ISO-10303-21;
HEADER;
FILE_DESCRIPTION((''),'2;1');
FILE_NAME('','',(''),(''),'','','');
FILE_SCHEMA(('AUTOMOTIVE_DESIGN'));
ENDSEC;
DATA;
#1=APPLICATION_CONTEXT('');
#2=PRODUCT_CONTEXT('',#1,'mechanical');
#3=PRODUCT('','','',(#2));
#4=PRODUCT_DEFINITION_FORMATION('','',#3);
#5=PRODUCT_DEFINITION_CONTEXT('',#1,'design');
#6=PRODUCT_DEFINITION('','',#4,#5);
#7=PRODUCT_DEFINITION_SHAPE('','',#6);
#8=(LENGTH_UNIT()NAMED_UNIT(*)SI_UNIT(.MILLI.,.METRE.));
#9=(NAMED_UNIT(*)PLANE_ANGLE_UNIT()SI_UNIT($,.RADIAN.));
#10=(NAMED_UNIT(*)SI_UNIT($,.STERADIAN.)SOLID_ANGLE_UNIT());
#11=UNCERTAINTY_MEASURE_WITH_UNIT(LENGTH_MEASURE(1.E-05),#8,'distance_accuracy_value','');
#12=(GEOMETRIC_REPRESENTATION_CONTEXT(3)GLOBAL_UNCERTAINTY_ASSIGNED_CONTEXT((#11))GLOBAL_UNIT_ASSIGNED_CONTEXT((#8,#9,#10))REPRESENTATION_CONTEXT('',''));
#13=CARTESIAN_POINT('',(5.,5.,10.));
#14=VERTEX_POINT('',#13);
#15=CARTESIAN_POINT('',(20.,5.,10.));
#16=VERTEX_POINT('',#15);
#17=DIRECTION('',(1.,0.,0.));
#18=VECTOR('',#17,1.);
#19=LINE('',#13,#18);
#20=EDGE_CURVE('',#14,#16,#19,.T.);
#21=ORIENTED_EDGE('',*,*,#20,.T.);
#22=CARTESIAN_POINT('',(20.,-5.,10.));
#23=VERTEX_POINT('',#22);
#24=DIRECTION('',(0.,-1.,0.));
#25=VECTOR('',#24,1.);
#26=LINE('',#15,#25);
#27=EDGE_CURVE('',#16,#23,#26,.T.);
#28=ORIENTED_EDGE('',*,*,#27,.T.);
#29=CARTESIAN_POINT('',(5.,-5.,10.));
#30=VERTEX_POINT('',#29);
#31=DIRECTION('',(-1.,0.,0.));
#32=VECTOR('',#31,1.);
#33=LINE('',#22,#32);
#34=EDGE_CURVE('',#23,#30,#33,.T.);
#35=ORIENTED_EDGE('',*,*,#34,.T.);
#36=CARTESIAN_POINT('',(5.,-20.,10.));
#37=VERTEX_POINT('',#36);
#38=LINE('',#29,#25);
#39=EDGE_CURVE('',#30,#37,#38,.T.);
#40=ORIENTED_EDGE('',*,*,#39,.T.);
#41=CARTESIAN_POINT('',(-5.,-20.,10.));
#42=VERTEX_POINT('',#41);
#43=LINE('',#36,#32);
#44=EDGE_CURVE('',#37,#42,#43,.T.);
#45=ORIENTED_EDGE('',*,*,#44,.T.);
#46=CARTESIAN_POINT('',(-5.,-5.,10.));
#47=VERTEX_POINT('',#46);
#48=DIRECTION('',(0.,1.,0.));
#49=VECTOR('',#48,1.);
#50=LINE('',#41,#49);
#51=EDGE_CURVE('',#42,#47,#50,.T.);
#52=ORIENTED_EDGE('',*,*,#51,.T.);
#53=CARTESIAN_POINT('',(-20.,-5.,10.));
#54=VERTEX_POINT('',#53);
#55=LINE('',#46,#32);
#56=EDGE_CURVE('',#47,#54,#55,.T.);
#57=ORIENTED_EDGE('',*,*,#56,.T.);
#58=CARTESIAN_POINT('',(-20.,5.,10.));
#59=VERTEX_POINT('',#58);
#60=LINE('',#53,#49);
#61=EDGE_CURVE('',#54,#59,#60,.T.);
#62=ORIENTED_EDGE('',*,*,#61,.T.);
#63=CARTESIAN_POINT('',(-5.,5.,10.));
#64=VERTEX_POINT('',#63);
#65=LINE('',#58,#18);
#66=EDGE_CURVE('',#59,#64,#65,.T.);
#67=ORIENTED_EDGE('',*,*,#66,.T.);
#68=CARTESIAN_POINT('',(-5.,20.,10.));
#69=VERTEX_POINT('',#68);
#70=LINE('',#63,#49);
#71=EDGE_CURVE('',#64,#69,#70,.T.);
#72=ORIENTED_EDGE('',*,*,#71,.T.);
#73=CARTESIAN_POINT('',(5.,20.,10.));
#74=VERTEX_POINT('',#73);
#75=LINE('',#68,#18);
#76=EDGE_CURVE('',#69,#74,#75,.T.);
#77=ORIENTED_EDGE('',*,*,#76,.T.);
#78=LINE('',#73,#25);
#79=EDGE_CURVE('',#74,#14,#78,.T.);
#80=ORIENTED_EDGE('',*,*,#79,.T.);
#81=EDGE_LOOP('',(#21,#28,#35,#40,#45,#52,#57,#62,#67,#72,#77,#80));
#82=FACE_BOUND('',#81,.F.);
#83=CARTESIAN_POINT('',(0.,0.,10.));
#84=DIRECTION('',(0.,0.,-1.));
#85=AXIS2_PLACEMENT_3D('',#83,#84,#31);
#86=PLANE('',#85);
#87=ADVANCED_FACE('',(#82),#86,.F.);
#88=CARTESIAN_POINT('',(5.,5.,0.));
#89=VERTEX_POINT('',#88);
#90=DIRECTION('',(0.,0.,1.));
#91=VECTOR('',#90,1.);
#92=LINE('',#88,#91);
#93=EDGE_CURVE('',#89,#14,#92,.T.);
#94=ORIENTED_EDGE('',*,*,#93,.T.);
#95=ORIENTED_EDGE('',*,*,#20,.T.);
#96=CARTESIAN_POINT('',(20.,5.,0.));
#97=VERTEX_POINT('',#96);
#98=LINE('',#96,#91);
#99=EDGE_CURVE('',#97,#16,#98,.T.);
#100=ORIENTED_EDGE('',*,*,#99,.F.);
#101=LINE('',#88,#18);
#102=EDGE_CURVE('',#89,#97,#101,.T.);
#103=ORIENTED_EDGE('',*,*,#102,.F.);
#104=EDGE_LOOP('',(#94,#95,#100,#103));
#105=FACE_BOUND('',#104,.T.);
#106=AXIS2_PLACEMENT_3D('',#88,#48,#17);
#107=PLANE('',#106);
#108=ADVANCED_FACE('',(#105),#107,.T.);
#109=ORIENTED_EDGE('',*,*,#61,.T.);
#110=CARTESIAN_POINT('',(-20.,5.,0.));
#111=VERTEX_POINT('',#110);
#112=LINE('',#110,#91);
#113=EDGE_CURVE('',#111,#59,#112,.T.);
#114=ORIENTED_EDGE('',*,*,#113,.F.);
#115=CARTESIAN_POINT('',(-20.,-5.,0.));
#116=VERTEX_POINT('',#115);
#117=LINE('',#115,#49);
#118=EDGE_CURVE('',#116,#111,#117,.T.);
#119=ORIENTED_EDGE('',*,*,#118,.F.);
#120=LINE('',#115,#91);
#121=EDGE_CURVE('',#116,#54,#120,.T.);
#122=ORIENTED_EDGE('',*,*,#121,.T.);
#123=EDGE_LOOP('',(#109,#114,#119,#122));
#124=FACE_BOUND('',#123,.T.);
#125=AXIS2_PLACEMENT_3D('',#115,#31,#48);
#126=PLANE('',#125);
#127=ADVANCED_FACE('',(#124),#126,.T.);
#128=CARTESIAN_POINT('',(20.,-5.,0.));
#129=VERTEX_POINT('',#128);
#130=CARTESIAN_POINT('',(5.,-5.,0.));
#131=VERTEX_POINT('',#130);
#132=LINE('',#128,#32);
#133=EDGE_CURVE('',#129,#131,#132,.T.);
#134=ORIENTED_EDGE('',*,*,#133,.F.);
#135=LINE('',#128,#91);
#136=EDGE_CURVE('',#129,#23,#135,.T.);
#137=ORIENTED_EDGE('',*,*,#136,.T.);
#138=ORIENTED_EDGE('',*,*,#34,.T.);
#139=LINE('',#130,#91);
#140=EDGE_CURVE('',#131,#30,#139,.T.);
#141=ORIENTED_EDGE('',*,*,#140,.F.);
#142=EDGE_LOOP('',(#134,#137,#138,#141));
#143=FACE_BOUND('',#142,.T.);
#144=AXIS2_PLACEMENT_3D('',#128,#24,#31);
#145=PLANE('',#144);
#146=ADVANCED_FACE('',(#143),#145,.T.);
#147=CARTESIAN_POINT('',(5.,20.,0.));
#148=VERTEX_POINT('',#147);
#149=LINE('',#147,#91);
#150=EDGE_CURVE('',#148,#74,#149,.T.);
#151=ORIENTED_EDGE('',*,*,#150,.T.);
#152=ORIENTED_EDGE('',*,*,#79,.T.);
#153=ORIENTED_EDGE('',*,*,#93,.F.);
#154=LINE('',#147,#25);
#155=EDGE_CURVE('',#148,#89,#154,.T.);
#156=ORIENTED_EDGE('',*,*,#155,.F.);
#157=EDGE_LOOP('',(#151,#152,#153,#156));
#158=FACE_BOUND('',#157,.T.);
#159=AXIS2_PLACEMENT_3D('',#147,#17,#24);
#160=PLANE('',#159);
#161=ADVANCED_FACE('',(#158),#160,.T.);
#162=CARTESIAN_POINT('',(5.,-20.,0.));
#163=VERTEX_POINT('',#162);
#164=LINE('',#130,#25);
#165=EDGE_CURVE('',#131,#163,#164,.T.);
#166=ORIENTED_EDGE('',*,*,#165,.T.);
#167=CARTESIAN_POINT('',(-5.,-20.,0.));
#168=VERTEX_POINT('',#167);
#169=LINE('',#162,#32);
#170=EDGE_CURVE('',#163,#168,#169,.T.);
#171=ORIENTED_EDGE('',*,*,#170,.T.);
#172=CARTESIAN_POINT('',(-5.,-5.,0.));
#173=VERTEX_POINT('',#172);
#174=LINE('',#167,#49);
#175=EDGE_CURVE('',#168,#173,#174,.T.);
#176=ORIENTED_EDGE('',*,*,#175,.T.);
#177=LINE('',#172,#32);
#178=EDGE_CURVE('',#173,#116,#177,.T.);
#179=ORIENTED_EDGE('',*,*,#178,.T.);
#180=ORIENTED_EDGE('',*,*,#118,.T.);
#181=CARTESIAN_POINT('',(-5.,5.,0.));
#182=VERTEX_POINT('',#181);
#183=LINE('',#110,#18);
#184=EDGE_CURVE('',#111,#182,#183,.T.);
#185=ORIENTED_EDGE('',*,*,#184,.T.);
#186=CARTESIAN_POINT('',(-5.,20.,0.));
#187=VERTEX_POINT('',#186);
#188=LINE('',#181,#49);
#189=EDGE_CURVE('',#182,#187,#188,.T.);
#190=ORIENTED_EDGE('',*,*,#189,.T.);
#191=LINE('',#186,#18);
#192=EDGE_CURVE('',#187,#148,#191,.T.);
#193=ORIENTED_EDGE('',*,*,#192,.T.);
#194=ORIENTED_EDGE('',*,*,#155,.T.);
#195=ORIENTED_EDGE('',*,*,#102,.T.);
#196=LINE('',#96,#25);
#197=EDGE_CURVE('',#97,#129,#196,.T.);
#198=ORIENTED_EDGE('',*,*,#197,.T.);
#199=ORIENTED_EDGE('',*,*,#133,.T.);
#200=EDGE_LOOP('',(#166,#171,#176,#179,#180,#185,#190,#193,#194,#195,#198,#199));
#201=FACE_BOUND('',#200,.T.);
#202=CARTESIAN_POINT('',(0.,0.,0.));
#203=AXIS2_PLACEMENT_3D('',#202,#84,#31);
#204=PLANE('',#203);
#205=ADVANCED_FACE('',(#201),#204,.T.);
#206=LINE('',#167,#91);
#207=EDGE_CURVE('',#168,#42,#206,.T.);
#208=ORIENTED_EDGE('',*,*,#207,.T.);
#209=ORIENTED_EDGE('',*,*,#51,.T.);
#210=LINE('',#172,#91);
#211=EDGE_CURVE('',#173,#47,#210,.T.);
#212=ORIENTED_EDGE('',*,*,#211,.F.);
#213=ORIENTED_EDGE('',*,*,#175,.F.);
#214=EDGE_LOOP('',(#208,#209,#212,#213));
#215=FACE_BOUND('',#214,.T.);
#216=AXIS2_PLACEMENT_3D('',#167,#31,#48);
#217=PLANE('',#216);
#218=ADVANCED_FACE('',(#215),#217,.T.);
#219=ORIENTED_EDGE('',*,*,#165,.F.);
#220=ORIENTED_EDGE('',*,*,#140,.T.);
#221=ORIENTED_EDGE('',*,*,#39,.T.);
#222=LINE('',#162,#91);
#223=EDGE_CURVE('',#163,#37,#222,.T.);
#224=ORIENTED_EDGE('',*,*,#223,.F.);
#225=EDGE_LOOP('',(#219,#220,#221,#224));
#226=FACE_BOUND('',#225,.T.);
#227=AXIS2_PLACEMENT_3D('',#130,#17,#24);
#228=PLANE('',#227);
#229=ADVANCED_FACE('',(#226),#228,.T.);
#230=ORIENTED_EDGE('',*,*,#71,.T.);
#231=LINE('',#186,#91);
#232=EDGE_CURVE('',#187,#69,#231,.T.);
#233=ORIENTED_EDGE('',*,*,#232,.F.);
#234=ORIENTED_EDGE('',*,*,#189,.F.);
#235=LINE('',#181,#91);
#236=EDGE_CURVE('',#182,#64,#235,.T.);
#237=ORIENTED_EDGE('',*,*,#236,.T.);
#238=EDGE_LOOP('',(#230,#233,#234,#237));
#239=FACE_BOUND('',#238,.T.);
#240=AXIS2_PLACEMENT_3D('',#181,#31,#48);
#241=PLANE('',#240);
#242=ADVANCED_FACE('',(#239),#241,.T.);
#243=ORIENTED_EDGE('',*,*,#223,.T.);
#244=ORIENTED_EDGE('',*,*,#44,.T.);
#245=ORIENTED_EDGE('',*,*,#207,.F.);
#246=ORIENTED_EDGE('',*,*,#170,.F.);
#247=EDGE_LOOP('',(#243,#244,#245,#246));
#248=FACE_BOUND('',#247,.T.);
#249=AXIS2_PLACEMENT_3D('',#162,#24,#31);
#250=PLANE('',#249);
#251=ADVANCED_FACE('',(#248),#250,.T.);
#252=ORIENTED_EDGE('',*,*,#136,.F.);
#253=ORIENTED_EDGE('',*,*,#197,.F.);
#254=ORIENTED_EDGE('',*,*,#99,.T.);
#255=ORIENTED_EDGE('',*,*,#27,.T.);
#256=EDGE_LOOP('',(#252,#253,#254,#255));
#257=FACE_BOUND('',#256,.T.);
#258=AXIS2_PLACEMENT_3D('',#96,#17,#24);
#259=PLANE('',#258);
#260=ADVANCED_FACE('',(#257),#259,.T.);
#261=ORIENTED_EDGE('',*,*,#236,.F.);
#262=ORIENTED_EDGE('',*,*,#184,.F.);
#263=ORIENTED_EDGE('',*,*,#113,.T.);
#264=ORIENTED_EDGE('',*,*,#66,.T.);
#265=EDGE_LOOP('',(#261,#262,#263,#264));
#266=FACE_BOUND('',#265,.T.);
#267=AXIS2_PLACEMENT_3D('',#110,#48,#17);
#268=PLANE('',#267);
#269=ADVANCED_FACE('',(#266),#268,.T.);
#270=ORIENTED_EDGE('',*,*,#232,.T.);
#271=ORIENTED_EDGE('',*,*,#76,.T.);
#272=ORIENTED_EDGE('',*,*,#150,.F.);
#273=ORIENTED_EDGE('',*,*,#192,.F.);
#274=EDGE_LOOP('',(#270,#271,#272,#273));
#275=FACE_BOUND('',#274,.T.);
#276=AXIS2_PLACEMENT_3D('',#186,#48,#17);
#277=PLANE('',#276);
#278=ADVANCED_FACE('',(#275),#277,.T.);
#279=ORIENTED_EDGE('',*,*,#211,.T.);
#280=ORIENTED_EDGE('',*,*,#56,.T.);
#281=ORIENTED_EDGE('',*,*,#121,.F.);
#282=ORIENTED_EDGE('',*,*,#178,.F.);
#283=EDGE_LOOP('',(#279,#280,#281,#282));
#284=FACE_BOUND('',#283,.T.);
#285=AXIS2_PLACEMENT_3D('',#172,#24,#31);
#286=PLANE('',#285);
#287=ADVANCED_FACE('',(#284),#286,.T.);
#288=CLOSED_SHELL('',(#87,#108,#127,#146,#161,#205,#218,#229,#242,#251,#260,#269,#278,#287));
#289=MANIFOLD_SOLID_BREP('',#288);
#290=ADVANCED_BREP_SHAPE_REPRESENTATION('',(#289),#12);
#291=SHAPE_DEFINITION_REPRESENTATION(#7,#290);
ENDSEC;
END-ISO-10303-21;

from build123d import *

# Parameters (mm, degrees)
PAD_DEPTH = 10


with BuildPart() as part:
    # Sketch → Pad (new body)
    with BuildSketch(Plane.XY):
        Polygon((-5, 20), (5, 20), (5, 5), (20, 5), (20, -5), (5, -5), (5, -20), (-5, -20), (-5, -5), (-20, -5), (-20, 5), (-5, 5), align=None)
    extrude(amount=PAD_DEPTH)


solid = part.part
